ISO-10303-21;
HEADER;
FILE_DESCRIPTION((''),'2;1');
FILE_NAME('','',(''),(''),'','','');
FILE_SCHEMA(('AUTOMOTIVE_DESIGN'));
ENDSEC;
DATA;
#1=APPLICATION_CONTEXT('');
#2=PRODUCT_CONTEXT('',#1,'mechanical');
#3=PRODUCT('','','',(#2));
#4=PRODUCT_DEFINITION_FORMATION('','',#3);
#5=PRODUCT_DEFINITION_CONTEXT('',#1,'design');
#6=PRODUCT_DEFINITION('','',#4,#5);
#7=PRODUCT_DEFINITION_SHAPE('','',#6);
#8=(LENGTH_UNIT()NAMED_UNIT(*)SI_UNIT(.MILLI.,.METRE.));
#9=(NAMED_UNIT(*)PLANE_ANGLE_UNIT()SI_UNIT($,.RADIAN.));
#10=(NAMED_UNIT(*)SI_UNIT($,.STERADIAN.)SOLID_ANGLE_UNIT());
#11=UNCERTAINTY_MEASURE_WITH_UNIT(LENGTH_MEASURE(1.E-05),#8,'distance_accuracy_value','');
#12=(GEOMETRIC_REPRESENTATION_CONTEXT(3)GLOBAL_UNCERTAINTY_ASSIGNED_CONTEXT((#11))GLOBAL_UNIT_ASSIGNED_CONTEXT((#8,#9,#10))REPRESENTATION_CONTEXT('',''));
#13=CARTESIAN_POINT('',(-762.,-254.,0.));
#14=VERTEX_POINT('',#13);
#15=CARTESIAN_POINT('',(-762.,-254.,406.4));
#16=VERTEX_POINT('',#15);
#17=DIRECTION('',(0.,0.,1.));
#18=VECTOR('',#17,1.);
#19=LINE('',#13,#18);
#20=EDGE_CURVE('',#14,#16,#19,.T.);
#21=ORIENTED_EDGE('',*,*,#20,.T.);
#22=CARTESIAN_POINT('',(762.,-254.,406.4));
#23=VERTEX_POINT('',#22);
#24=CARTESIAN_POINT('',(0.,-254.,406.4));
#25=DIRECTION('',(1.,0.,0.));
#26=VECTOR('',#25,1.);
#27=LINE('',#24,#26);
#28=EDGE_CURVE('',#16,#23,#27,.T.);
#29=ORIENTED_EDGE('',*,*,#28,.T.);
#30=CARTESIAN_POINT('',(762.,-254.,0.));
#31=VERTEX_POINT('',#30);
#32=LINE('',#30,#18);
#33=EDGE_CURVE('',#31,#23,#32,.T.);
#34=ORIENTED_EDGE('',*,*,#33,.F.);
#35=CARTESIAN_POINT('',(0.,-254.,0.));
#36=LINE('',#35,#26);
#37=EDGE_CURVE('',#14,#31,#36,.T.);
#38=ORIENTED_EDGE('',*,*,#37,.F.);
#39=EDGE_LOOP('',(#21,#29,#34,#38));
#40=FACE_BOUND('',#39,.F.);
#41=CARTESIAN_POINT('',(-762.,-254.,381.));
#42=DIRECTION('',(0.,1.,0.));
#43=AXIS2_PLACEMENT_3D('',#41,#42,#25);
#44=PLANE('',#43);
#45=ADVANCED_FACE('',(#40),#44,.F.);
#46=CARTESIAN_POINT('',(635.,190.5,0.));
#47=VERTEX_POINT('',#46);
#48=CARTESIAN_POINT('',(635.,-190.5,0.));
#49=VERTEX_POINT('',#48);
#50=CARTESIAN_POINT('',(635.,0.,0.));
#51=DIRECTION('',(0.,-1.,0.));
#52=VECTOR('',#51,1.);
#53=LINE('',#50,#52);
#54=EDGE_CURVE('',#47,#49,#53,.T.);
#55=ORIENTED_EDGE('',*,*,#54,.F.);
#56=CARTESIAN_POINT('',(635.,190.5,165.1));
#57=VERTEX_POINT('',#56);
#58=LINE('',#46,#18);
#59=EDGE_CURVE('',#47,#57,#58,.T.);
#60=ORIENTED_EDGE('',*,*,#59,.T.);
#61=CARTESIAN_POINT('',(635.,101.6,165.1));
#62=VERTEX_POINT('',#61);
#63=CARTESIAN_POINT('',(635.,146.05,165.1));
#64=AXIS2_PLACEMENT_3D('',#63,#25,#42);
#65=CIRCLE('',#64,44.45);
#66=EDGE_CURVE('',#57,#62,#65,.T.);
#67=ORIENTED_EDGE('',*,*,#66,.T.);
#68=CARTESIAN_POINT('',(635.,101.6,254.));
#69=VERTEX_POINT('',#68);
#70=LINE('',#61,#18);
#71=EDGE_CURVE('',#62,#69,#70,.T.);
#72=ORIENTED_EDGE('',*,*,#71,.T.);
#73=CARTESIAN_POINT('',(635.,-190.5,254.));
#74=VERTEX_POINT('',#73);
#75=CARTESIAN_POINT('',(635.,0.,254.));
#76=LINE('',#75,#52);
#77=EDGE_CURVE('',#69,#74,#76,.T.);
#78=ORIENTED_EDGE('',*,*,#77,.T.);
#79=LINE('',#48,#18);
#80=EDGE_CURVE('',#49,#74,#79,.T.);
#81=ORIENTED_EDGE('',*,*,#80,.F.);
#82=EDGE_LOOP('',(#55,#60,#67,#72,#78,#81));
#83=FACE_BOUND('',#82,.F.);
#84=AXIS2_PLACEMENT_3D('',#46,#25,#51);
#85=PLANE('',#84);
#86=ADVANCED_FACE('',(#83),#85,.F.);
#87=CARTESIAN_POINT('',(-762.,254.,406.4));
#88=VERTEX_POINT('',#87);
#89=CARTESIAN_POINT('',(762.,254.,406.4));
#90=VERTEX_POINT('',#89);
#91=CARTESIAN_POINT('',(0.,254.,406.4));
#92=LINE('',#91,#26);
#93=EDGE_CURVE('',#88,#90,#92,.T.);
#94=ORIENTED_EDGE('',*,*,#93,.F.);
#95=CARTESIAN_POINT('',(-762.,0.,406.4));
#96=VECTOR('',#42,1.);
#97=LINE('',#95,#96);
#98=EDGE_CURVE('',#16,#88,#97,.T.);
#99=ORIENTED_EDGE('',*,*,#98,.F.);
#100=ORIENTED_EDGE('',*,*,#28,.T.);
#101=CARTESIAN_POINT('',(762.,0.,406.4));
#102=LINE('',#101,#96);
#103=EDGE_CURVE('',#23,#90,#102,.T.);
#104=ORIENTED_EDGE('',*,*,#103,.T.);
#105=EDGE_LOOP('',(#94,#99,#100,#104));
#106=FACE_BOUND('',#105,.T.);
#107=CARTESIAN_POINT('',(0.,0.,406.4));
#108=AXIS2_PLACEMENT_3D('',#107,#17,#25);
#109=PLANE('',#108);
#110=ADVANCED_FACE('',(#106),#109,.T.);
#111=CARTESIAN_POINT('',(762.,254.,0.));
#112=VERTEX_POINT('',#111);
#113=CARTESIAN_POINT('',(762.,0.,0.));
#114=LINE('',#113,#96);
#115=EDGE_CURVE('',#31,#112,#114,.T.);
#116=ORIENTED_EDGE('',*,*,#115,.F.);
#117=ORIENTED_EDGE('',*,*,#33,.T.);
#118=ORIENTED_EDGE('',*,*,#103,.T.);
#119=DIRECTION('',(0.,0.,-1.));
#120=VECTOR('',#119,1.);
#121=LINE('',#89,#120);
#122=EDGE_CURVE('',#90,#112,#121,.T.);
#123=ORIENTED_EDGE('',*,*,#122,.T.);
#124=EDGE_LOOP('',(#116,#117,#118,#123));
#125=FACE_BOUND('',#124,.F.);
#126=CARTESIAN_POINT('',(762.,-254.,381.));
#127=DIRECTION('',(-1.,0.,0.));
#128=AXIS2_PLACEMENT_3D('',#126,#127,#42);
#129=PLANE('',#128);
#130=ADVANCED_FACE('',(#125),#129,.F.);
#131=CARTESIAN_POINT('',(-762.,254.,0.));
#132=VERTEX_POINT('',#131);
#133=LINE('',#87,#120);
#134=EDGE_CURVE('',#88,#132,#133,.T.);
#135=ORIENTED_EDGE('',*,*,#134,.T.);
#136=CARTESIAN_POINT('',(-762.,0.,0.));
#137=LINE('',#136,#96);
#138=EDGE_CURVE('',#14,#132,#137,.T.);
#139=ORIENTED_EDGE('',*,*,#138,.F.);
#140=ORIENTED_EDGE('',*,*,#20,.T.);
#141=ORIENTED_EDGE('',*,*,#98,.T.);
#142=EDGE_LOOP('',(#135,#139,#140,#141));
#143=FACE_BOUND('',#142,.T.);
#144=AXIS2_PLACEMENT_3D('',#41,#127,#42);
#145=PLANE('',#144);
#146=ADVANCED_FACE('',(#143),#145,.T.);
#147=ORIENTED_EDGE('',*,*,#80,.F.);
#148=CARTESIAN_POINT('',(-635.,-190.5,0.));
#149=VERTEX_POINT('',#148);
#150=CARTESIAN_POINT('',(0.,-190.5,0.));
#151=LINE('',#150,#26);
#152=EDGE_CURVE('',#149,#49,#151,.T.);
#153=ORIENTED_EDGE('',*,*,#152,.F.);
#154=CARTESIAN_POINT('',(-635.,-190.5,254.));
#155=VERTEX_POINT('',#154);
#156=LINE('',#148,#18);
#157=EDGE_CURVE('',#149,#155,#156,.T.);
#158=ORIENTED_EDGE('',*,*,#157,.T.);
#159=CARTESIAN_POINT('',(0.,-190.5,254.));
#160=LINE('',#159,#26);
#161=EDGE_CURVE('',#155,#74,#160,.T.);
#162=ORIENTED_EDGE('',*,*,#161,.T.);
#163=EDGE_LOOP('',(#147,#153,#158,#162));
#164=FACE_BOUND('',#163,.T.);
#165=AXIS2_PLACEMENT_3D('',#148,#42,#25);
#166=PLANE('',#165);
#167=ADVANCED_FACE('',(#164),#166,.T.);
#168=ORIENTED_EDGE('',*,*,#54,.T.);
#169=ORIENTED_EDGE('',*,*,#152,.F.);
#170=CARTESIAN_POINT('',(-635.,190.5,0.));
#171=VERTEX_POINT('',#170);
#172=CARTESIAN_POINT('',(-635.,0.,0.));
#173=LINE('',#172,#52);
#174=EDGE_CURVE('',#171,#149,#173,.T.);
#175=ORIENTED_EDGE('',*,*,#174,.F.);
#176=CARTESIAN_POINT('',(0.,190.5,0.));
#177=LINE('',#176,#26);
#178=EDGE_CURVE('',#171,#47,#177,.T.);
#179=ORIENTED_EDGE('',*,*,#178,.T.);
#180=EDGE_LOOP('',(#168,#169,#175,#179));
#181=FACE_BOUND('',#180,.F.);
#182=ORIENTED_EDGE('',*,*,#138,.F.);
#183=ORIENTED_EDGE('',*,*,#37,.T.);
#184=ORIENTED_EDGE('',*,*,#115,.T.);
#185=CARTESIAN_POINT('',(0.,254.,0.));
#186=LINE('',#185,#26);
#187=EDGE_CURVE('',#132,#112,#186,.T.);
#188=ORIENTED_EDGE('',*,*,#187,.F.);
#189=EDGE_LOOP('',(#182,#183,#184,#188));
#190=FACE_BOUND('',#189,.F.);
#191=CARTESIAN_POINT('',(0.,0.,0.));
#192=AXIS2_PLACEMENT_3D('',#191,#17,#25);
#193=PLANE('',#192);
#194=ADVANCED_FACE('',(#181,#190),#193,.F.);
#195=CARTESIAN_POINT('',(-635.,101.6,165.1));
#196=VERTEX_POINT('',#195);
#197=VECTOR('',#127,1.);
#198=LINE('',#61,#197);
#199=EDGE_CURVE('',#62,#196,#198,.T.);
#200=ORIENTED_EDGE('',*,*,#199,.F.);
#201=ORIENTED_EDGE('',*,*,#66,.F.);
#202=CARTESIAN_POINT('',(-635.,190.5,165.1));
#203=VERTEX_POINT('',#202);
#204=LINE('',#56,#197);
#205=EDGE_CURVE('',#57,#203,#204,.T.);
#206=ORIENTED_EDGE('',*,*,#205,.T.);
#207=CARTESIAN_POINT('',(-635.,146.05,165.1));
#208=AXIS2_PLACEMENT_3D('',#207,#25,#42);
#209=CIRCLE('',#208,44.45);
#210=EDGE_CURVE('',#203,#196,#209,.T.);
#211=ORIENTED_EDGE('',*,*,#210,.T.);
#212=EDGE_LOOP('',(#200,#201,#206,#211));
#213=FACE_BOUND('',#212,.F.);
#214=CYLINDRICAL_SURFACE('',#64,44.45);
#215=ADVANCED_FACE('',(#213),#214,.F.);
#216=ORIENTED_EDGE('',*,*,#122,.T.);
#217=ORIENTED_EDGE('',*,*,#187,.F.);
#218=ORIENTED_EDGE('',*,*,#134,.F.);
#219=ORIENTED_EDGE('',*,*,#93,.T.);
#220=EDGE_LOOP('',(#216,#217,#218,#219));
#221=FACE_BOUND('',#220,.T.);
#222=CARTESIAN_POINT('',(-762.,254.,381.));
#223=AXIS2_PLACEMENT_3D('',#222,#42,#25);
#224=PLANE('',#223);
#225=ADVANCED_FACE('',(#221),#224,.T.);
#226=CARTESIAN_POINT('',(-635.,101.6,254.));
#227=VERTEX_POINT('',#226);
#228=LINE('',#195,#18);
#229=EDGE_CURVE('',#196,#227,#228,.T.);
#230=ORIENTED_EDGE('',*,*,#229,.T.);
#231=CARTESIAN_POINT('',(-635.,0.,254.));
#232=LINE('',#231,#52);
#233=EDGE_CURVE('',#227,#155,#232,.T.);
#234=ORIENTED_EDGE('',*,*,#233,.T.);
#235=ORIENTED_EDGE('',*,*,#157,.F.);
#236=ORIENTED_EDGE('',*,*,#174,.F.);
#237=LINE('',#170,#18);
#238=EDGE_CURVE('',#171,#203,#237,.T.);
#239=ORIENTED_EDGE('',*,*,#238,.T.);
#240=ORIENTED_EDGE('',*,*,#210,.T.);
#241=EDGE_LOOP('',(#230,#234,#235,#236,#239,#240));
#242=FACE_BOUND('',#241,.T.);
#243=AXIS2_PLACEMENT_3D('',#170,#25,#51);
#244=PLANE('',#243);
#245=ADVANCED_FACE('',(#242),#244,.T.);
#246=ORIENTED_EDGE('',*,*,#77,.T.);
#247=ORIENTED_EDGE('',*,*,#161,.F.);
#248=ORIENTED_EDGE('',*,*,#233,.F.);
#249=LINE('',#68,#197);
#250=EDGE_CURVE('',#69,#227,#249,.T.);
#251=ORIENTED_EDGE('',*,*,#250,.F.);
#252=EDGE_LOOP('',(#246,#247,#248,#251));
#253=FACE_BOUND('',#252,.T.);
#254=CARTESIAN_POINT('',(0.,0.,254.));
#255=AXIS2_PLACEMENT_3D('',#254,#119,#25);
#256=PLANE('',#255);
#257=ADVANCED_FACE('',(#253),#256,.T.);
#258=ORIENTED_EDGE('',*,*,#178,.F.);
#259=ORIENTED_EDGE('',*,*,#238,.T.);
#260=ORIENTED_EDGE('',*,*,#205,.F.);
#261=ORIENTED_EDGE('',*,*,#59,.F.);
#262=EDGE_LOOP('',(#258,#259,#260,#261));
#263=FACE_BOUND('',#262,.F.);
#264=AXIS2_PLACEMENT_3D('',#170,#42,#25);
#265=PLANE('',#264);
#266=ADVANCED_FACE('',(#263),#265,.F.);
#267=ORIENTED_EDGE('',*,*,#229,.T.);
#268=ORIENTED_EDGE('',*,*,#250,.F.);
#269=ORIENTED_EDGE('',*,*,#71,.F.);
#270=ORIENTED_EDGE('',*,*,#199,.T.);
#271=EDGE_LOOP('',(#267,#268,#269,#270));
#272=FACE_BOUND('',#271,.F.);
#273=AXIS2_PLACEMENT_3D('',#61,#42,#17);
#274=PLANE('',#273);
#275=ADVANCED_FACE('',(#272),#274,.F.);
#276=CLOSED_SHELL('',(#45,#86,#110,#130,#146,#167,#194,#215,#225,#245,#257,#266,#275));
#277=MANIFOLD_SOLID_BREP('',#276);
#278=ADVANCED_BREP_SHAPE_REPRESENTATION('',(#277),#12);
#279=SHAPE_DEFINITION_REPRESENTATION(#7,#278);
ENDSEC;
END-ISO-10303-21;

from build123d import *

# Parameters (mm, degrees)
F0_W     = 1524
F0_H     = 508
F1_DEPTH = 381
F2_W     = 1270
F2_H     = 381
F3_DEPTH = 254
F5_DEPTH = 1270
F6_W     = 1524
F6_H     = 508
F7_DEPTH = 25.4


with BuildPart() as f1:
    # F0 (on Top) → F1 (new body)
    with BuildSketch(Plane.XY):
        Rectangle(F0_W, F0_H)
    extrude(amount=F1_DEPTH)

    # F2 (on face) → F3 (cut)
    with BuildSketch(Plane(origin=(0, 0, 0), x_dir=(1, 0, 0), z_dir=(0, 0, -1))):
        Rectangle(F2_W, F2_H)
    extrude(amount=-F3_DEPTH, mode=Mode.SUBTRACT)

    # F4 (on face) → F5 (join, through all)
    with BuildSketch(Plane(origin=(635, 0, 0), x_dir=(0, -1, 0), z_dir=(-1, 0, 0))):
        with BuildLine():
            Line((-101.6, 254), (-190.5, 254))
            Line((-190.5, 254), (-190.5, 165.1))
            ThreePointArc((-190.5, 165.1), (-146.05, 209.55), (-101.6, 165.1))
            Line((-101.6, 165.1), (-101.6, 254))
        make_face()
    extrude(amount=F5_DEPTH)

    # F6 (on face) → F7 (join)
    with BuildSketch(Plane.XY.offset(381)):
        Rectangle(F6_W, F6_H)
    extrude(amount=F7_DEPTH)


solid = f1.part
